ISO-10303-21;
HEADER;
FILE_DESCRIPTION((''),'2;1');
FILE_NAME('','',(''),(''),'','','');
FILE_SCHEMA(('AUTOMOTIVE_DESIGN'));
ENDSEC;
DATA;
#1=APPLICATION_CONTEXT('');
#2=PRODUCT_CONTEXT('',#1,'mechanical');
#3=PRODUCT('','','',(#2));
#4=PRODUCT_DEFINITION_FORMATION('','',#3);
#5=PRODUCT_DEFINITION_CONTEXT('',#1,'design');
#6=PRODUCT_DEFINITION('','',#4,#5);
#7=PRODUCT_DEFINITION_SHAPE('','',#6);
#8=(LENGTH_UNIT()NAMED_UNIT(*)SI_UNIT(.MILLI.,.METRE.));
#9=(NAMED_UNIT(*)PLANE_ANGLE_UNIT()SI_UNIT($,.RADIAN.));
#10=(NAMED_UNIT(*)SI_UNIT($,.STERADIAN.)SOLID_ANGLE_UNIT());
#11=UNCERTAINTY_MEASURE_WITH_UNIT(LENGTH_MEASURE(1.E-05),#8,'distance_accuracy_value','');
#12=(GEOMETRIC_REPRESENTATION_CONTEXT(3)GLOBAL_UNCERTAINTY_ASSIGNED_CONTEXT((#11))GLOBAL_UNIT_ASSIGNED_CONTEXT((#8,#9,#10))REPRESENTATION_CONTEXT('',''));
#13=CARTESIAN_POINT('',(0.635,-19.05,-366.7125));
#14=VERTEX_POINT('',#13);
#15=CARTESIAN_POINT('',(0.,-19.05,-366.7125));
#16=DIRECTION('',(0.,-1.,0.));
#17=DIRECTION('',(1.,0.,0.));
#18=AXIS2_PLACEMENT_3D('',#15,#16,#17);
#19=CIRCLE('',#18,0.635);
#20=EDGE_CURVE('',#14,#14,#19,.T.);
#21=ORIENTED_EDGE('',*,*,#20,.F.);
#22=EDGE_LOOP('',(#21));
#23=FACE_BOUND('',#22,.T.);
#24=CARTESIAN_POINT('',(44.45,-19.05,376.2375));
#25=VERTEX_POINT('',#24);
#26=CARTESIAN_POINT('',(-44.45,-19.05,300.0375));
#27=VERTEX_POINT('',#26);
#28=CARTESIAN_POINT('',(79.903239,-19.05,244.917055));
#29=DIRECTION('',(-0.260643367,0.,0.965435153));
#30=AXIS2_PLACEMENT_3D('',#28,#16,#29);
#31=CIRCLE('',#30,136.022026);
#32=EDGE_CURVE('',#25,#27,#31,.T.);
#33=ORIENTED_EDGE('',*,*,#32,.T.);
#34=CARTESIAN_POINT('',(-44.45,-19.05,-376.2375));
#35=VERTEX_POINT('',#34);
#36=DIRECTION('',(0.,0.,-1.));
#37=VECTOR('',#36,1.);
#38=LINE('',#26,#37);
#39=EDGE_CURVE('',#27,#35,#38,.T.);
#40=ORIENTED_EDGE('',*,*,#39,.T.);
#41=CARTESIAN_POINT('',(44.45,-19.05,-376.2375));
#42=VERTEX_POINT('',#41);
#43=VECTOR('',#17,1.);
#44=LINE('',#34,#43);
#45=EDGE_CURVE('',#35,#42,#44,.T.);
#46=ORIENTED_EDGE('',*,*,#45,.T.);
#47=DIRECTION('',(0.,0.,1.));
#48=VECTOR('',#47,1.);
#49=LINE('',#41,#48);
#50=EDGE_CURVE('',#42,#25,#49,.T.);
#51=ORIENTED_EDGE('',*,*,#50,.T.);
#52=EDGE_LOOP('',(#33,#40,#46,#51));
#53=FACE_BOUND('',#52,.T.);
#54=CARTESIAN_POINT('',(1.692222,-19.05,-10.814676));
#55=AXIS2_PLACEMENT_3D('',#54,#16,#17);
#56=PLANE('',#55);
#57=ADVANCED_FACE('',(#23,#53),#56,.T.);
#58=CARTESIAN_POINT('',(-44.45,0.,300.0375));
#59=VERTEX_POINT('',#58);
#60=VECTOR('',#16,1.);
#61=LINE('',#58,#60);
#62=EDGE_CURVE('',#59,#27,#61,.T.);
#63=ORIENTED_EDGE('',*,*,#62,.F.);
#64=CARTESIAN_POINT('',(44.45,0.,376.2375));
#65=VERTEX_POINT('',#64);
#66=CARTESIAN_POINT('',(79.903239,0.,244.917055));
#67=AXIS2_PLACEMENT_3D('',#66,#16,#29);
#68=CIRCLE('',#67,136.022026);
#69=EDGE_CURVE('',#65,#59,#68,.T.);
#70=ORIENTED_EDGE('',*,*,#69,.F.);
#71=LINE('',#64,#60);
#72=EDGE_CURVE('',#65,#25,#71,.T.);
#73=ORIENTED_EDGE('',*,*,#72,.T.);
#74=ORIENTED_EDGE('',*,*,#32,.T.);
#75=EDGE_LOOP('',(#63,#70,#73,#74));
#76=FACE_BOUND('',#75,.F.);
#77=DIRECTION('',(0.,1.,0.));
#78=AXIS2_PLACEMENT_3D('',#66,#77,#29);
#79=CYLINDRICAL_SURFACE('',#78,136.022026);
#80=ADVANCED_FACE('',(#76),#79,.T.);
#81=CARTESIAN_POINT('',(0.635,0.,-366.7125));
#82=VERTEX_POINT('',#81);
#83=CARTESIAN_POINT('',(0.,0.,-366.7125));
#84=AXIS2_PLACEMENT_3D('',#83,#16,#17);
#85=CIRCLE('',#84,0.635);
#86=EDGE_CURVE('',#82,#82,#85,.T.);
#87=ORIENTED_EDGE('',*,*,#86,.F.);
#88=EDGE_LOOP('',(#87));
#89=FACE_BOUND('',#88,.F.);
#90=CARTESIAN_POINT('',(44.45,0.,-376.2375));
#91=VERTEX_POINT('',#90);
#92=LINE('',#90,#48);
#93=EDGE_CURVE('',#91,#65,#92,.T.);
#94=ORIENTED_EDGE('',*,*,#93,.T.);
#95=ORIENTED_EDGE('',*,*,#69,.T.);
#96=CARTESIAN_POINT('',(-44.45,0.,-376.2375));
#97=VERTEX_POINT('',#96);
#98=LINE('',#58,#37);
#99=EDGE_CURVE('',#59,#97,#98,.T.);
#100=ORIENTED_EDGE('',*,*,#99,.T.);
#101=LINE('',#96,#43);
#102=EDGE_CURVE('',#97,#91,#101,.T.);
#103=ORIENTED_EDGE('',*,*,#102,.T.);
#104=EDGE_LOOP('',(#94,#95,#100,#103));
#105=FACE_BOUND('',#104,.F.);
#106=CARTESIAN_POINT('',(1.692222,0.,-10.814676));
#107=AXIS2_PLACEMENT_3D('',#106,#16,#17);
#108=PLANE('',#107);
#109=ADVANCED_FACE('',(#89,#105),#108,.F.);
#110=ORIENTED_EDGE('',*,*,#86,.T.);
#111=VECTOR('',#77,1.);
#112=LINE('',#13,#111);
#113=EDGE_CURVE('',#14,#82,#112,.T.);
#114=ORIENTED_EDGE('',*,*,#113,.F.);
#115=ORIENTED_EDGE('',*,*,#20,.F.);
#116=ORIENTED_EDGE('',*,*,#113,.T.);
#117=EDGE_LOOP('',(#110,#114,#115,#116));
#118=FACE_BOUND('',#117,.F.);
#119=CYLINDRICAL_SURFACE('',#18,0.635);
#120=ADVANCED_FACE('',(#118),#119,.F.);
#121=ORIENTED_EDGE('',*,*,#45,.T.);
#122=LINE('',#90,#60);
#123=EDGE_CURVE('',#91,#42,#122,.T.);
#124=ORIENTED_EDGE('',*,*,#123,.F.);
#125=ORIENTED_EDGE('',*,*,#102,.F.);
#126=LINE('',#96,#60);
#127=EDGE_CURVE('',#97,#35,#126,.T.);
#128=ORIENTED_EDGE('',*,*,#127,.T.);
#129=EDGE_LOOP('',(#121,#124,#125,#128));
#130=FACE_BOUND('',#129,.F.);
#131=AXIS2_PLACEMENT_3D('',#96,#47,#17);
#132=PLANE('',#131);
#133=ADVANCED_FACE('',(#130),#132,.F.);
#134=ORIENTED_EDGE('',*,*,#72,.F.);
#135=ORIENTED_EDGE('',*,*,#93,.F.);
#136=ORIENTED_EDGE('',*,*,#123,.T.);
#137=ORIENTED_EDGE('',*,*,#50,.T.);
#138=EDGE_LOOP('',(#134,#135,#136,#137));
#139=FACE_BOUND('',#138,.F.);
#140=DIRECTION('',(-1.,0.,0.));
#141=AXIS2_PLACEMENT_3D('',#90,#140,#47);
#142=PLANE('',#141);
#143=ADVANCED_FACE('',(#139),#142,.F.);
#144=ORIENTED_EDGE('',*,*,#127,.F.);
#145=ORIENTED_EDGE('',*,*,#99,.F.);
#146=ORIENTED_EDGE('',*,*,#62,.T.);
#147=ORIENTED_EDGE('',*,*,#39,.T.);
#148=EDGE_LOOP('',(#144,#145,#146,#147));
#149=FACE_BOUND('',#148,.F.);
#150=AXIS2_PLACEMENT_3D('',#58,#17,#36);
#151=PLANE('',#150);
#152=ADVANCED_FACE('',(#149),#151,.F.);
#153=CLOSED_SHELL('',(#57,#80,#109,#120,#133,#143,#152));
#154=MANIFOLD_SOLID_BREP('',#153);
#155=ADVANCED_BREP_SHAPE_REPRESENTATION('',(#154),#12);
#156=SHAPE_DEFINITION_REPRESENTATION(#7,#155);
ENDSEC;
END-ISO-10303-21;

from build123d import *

# Parameters (mm, degrees)
F1_DEPTH = 19.05
F2_R     = 0.635
F3_DEPTH = 19.051


with BuildPart() as f1:
    # F0 (on Front) → F1 (new body)
    with BuildSketch(Plane.XZ):
        with BuildLine():
            Line((-44.45, 300.0375), (-44.45, -376.2375))
            Line((-44.45, -376.2375), (44.45, -376.2375))
            Line((44.45, -376.2375), (44.45, 376.2375))
            ThreePointArc((44.45, 376.2375), (-8.618722, 348.192676), (-44.45, 300.0375))
        make_face()
    extrude(amount=F1_DEPTH)

    # F2 (on face) → F3 (cut, through all)
    with BuildSketch(Plane.XZ.offset(19.05)):
        with Locations((0, -366.7125)):
            Circle(F2_R)
    extrude(amount=-F3_DEPTH, mode=Mode.SUBTRACT)


solid = f1.part
